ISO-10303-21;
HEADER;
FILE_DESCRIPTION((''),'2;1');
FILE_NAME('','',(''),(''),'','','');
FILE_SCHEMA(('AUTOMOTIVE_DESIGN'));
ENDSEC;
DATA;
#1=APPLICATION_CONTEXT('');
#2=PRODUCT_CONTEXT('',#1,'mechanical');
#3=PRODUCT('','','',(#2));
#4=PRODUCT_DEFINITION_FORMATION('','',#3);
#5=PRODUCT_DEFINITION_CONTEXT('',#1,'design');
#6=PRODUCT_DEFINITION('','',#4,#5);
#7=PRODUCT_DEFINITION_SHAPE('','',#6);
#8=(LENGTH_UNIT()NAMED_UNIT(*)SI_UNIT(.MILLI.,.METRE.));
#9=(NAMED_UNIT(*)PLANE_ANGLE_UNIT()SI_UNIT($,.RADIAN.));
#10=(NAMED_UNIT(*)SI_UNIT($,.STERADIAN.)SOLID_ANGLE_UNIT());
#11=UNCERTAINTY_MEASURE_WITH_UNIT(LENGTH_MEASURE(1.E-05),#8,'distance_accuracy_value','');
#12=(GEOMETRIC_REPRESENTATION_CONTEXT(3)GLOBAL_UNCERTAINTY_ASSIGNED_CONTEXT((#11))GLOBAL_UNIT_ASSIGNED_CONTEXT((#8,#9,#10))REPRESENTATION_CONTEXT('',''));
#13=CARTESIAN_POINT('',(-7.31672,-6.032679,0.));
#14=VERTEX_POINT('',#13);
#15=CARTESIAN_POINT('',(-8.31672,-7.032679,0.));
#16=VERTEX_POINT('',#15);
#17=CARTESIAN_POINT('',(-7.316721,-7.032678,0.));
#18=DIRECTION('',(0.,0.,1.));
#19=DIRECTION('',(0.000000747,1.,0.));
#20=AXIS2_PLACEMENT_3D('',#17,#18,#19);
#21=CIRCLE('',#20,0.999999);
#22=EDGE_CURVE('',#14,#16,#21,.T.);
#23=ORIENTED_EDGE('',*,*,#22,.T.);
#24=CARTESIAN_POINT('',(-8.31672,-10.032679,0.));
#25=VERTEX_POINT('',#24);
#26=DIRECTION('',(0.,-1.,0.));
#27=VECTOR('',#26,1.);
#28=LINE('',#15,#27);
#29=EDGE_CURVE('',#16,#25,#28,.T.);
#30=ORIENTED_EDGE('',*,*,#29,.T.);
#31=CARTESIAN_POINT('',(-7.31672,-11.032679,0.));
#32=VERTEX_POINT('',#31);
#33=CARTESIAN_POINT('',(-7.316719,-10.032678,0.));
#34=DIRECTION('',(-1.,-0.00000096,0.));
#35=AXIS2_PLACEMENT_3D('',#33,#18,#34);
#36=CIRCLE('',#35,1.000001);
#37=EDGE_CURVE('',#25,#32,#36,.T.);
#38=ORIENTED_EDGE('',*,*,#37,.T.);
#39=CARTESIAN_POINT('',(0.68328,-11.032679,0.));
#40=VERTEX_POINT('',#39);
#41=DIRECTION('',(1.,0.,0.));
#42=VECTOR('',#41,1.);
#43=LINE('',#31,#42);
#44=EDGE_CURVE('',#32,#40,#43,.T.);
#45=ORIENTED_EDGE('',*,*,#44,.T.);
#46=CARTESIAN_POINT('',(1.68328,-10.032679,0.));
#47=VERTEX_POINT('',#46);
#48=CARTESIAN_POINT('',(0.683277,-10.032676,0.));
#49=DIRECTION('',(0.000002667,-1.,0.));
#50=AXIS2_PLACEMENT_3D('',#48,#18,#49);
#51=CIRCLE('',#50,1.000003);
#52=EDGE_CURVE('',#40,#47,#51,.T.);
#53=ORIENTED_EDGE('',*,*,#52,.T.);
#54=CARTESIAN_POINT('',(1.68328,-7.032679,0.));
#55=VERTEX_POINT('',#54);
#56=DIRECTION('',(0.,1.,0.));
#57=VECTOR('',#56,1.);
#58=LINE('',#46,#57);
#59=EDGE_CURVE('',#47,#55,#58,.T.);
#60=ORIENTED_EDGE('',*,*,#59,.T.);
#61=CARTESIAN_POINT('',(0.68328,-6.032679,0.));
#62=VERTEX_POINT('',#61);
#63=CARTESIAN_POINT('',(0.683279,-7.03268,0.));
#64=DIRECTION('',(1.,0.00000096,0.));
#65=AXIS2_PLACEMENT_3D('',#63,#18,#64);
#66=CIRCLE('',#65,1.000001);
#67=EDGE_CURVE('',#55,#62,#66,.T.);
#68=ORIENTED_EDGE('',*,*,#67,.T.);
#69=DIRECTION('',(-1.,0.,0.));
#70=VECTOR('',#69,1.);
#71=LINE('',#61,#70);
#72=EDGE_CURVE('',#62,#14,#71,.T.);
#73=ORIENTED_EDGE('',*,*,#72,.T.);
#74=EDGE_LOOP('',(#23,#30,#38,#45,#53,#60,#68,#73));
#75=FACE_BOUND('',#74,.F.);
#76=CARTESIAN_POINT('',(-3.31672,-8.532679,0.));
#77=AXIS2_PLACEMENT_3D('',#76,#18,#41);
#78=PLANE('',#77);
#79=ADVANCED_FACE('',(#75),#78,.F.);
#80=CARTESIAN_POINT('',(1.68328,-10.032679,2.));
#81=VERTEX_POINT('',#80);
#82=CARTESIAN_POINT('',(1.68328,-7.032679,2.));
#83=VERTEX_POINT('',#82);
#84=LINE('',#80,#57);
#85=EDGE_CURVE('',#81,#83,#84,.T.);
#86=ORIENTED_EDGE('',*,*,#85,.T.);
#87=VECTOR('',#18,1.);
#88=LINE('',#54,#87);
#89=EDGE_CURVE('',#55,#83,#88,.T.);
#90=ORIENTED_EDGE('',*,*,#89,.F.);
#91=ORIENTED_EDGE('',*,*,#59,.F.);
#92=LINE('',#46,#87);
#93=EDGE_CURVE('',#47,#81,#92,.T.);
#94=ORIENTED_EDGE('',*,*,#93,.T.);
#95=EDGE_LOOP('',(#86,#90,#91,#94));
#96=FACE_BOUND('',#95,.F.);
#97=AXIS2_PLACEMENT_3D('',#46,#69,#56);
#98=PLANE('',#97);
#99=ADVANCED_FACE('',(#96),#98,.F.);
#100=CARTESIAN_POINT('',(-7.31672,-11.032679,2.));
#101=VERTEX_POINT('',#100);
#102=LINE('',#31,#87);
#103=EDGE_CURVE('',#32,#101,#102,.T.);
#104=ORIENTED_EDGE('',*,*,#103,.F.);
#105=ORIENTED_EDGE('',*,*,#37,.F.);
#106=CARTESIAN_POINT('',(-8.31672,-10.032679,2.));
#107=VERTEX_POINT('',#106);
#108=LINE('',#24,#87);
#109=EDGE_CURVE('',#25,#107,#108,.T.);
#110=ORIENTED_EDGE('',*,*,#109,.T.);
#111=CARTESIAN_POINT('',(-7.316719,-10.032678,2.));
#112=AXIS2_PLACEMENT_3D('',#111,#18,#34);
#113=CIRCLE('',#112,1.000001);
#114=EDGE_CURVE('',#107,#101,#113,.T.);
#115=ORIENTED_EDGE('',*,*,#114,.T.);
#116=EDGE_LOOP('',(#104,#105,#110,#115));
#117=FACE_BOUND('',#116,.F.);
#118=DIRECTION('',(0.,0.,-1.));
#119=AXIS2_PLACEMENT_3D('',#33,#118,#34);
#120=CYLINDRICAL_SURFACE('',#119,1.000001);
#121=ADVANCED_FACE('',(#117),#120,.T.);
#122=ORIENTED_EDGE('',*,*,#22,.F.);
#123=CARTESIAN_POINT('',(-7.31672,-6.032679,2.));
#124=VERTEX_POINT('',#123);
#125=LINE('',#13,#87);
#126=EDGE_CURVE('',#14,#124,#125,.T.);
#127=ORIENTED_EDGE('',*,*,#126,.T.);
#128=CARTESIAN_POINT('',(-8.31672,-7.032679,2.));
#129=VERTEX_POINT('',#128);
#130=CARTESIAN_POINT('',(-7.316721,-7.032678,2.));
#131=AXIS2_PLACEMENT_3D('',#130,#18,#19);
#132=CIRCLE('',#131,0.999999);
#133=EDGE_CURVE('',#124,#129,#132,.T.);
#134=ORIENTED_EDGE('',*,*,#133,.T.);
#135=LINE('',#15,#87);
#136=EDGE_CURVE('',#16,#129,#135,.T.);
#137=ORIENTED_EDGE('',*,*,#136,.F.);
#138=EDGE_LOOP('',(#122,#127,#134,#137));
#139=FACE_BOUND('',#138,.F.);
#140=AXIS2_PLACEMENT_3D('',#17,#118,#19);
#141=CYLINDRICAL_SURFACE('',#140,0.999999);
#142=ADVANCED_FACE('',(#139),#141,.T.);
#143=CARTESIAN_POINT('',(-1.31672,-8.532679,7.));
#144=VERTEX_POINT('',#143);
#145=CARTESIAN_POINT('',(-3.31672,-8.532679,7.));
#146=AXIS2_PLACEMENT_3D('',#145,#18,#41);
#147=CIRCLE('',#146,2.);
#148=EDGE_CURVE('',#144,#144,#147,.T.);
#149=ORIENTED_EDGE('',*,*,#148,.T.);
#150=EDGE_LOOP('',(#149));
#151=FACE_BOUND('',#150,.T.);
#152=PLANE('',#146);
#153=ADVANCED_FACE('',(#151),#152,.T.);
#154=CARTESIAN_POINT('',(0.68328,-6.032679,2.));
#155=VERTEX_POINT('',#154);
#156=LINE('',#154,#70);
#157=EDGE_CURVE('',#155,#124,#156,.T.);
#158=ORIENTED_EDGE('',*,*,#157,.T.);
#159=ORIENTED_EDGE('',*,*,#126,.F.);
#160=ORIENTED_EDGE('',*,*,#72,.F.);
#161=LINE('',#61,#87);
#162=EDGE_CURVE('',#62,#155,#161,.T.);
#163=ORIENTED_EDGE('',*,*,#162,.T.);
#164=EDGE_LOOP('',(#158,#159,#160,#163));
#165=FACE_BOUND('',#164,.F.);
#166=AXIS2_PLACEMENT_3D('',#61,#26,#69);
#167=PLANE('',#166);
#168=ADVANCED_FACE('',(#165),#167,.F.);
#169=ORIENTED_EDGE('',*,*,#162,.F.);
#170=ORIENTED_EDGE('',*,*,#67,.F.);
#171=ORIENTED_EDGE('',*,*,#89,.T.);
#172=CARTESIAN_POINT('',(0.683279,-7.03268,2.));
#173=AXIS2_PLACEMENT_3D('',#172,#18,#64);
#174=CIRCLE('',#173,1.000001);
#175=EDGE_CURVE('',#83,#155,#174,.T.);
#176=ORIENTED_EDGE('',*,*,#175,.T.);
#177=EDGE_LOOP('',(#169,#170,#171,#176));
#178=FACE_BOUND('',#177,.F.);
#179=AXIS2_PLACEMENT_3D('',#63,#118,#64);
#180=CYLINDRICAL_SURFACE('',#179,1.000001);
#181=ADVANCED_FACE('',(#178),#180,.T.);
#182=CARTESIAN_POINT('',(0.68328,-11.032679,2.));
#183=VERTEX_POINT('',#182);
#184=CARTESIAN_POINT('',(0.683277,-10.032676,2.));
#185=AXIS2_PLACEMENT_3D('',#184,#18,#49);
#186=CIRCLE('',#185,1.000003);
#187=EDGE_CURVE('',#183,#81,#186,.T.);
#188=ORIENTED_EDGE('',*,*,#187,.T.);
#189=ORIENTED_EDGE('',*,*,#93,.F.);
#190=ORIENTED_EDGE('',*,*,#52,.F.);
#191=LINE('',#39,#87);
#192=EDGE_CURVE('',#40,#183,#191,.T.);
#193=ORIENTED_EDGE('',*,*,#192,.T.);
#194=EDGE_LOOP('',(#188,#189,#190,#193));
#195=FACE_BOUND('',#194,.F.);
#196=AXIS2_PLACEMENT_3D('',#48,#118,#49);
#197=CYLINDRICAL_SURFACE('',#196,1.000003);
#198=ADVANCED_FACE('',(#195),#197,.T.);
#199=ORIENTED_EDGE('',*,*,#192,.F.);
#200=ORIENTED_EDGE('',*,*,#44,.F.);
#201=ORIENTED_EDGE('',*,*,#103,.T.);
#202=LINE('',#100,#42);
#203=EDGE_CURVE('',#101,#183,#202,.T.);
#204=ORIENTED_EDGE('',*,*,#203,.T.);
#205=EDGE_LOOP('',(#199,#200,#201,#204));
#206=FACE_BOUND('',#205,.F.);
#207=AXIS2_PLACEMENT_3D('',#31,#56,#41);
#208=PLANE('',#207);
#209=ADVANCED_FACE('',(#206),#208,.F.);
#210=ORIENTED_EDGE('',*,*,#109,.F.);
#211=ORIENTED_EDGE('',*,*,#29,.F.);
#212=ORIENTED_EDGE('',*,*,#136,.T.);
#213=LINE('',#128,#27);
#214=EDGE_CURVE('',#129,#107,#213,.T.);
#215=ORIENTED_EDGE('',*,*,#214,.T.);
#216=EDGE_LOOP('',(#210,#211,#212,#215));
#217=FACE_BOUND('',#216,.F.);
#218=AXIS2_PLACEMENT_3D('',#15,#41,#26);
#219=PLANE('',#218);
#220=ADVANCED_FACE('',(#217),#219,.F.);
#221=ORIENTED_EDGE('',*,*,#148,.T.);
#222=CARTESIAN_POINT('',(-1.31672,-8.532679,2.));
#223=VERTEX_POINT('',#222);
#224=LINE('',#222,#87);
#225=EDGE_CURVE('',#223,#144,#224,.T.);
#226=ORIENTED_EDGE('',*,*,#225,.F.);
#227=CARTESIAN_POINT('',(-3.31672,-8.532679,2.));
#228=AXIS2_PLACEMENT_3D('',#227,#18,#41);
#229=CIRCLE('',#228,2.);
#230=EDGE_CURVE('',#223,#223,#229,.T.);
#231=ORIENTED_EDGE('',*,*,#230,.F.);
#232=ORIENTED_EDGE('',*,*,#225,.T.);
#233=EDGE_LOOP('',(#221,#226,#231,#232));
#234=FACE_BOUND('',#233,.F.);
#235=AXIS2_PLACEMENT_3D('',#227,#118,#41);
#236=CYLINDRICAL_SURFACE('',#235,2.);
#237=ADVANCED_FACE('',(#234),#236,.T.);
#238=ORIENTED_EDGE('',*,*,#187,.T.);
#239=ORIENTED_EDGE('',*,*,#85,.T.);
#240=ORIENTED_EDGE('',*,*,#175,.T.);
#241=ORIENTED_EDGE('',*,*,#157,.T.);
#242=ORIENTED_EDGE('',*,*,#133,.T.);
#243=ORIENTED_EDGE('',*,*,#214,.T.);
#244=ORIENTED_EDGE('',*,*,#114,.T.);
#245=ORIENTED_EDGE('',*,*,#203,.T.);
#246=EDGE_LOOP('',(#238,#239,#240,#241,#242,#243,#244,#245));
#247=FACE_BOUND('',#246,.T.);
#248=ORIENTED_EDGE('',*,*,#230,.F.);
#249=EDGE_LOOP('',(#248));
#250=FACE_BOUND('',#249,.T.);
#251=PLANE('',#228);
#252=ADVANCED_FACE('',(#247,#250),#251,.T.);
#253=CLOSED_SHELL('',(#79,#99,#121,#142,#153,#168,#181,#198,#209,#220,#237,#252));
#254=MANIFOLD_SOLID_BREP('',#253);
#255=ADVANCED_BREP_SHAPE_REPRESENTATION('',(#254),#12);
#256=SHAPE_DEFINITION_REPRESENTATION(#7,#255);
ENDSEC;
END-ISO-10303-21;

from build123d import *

# Parameters (mm, degrees)
F1_DEPTH = 2
F2_R     = 2
F3_DEPTH = 5


with BuildPart() as f1:
    # F0 (on Top) → F1 (new body)
    with BuildSketch(Plane.XY):
        with BuildLine():
            Line((0.68328, -6.032679), (-7.31672, -6.032679))
            ThreePointArc((-7.31672, -6.032679), (-8.023827, -6.325572), (-8.31672, -7.032679))
            Line((-8.31672, -7.032679), (-8.31672, -10.032679))
            ThreePointArc((-8.31672, -10.032679), (-8.023827, -10.739785), (-7.31672, -11.032679))
            Line((-7.31672, -11.032679), (0.68328, -11.032679))
            ThreePointArc((0.68328, -11.032679), (1.390386, -10.739785), (1.68328, -10.032679))
            Line((1.68328, -10.032679), (1.68328, -7.032679))
            ThreePointArc((1.68328, -7.032679), (1.390386, -6.325572), (0.68328, -6.032679))
        make_face()
    extrude(amount=F1_DEPTH)

    # F2 (on face) → F3 (join)
    with BuildSketch(Plane.XY.offset(2)):
        with Locations((-3.31672, -8.532679)):
            Circle(F2_R)
    extrude(amount=F3_DEPTH)


solid = f1.part
